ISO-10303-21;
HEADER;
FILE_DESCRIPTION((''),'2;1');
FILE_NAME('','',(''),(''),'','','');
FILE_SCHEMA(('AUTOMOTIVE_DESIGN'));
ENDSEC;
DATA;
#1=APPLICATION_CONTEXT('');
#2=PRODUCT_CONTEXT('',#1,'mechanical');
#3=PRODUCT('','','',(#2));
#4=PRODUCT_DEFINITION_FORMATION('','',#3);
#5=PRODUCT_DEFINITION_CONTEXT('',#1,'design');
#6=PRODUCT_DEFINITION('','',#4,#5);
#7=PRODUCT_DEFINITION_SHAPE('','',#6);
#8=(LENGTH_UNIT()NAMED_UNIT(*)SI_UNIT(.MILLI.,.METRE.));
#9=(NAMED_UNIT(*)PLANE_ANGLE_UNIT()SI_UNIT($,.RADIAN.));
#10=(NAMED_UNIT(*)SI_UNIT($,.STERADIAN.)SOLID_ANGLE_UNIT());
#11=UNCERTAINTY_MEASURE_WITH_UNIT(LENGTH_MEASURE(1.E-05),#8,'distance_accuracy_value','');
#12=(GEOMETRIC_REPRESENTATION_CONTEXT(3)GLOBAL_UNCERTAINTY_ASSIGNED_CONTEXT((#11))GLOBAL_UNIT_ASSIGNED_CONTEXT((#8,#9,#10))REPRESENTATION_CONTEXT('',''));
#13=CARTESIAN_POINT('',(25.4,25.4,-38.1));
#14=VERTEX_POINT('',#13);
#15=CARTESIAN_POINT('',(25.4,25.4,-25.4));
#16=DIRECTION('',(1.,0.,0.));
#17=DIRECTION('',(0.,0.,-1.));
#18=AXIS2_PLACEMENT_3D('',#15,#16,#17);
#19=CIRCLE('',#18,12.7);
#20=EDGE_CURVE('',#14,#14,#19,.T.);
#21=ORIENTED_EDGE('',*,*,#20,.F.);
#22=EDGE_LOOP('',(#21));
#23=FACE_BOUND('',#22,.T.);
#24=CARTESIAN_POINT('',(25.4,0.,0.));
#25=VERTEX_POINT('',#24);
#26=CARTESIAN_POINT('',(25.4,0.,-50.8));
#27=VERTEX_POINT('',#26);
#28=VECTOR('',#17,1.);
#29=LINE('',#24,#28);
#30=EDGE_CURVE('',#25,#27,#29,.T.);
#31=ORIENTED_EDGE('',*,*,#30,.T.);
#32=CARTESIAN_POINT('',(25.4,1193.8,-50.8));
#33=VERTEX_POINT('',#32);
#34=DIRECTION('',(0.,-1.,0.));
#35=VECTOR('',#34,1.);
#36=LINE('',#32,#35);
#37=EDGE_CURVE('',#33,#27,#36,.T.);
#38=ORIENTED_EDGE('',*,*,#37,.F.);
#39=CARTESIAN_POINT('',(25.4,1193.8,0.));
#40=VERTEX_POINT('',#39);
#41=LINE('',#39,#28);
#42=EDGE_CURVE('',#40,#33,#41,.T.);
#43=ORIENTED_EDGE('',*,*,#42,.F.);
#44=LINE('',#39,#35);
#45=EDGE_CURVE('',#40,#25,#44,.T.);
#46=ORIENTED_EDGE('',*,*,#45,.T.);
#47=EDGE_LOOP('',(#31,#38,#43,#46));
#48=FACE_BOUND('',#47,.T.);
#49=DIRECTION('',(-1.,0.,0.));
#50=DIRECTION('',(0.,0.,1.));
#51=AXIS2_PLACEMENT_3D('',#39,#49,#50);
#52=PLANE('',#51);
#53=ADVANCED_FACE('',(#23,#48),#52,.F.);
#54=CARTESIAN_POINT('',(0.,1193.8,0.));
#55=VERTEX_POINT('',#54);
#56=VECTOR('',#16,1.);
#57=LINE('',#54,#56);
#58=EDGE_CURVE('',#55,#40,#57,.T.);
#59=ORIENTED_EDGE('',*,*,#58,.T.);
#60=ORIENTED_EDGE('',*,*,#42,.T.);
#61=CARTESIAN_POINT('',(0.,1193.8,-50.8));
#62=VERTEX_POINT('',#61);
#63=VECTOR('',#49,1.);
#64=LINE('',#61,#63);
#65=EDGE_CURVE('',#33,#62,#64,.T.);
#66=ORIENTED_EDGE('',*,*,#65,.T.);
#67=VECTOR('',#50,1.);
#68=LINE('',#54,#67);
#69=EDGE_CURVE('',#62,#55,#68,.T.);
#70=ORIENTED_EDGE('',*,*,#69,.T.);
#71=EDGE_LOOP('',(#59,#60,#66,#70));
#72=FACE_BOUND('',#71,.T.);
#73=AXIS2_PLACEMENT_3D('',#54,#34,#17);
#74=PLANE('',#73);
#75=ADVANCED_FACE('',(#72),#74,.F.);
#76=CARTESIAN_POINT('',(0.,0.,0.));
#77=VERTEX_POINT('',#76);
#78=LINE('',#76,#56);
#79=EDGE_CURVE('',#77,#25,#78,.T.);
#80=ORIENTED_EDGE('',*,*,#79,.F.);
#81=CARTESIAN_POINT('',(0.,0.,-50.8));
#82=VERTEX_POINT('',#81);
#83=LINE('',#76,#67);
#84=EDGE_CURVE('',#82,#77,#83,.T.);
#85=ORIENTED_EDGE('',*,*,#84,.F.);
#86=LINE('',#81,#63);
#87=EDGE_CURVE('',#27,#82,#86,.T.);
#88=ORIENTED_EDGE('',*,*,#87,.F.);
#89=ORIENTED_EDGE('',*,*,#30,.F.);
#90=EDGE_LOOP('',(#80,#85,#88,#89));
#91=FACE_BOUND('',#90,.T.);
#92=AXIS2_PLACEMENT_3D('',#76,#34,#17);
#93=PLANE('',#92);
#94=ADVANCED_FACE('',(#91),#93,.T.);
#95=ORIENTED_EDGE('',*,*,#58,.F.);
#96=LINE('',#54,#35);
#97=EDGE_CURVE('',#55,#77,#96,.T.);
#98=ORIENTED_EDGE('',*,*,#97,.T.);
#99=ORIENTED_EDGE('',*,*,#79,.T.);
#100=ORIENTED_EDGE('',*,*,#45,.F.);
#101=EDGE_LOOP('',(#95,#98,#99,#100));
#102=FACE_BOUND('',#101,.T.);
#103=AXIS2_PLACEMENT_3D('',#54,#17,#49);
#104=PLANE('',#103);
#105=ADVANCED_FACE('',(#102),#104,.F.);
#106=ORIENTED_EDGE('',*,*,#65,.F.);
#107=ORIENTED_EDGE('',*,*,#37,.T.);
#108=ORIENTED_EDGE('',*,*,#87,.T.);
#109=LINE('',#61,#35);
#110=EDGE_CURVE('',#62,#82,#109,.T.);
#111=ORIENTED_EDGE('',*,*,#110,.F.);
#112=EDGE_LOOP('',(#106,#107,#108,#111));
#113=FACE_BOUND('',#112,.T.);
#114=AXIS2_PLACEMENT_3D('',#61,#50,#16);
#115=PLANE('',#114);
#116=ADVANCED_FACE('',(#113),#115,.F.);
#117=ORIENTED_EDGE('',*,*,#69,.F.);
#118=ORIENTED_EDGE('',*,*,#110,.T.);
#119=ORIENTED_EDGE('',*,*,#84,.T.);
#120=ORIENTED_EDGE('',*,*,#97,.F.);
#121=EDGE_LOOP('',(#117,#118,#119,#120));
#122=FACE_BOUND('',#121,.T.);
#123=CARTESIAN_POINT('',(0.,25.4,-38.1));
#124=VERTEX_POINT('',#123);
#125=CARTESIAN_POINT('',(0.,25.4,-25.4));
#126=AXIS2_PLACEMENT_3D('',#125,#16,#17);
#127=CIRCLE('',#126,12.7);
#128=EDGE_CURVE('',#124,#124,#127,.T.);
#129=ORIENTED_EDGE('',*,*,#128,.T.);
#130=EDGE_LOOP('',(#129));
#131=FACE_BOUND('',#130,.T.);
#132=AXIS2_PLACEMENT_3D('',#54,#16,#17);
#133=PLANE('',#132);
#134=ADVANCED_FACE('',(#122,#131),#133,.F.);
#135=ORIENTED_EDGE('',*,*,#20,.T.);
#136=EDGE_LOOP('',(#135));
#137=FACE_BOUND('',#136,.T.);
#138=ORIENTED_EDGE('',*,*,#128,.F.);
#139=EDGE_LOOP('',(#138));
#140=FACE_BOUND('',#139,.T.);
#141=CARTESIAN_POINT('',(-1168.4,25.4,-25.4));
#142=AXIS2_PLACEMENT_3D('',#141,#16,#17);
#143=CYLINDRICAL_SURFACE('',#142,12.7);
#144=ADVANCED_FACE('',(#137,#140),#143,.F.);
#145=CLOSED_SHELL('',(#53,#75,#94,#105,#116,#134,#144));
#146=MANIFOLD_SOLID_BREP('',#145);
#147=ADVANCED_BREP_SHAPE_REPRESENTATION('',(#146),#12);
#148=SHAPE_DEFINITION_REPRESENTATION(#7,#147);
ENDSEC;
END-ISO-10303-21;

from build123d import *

# Parameters (mm, degrees)
SKETCH1_W           = 25.4
SKETCH1_H           = 50.8
BOSS_EXTRUDE1_DEPTH = 1193.8
SKETCH2_R           = 12.7
CUT_EXTRUDE1_DEPTH  = 1193.8


with BuildPart() as part:
    # Sketch1 → Boss-Extrude1 (new body)
    with BuildSketch(Plane(origin=(0, 0, 0), x_dir=(1, 0, 0), z_dir=(0, 1, 0))):
        with Locations((12.7, 25.4)):
            Rectangle(SKETCH1_W, SKETCH1_H)
    extrude(amount=BOSS_EXTRUDE1_DEPTH)

    # Sketch2 → Cut-Extrude1 (cut)
    with BuildSketch(Plane(origin=(25.4, 0, 0), x_dir=(0, 0, -1), z_dir=(1, 0, 0))):
        with Locations((25.4, 25.4)):
            Circle(SKETCH2_R)
    extrude(amount=-CUT_EXTRUDE1_DEPTH, mode=Mode.SUBTRACT)


solid = part.part
